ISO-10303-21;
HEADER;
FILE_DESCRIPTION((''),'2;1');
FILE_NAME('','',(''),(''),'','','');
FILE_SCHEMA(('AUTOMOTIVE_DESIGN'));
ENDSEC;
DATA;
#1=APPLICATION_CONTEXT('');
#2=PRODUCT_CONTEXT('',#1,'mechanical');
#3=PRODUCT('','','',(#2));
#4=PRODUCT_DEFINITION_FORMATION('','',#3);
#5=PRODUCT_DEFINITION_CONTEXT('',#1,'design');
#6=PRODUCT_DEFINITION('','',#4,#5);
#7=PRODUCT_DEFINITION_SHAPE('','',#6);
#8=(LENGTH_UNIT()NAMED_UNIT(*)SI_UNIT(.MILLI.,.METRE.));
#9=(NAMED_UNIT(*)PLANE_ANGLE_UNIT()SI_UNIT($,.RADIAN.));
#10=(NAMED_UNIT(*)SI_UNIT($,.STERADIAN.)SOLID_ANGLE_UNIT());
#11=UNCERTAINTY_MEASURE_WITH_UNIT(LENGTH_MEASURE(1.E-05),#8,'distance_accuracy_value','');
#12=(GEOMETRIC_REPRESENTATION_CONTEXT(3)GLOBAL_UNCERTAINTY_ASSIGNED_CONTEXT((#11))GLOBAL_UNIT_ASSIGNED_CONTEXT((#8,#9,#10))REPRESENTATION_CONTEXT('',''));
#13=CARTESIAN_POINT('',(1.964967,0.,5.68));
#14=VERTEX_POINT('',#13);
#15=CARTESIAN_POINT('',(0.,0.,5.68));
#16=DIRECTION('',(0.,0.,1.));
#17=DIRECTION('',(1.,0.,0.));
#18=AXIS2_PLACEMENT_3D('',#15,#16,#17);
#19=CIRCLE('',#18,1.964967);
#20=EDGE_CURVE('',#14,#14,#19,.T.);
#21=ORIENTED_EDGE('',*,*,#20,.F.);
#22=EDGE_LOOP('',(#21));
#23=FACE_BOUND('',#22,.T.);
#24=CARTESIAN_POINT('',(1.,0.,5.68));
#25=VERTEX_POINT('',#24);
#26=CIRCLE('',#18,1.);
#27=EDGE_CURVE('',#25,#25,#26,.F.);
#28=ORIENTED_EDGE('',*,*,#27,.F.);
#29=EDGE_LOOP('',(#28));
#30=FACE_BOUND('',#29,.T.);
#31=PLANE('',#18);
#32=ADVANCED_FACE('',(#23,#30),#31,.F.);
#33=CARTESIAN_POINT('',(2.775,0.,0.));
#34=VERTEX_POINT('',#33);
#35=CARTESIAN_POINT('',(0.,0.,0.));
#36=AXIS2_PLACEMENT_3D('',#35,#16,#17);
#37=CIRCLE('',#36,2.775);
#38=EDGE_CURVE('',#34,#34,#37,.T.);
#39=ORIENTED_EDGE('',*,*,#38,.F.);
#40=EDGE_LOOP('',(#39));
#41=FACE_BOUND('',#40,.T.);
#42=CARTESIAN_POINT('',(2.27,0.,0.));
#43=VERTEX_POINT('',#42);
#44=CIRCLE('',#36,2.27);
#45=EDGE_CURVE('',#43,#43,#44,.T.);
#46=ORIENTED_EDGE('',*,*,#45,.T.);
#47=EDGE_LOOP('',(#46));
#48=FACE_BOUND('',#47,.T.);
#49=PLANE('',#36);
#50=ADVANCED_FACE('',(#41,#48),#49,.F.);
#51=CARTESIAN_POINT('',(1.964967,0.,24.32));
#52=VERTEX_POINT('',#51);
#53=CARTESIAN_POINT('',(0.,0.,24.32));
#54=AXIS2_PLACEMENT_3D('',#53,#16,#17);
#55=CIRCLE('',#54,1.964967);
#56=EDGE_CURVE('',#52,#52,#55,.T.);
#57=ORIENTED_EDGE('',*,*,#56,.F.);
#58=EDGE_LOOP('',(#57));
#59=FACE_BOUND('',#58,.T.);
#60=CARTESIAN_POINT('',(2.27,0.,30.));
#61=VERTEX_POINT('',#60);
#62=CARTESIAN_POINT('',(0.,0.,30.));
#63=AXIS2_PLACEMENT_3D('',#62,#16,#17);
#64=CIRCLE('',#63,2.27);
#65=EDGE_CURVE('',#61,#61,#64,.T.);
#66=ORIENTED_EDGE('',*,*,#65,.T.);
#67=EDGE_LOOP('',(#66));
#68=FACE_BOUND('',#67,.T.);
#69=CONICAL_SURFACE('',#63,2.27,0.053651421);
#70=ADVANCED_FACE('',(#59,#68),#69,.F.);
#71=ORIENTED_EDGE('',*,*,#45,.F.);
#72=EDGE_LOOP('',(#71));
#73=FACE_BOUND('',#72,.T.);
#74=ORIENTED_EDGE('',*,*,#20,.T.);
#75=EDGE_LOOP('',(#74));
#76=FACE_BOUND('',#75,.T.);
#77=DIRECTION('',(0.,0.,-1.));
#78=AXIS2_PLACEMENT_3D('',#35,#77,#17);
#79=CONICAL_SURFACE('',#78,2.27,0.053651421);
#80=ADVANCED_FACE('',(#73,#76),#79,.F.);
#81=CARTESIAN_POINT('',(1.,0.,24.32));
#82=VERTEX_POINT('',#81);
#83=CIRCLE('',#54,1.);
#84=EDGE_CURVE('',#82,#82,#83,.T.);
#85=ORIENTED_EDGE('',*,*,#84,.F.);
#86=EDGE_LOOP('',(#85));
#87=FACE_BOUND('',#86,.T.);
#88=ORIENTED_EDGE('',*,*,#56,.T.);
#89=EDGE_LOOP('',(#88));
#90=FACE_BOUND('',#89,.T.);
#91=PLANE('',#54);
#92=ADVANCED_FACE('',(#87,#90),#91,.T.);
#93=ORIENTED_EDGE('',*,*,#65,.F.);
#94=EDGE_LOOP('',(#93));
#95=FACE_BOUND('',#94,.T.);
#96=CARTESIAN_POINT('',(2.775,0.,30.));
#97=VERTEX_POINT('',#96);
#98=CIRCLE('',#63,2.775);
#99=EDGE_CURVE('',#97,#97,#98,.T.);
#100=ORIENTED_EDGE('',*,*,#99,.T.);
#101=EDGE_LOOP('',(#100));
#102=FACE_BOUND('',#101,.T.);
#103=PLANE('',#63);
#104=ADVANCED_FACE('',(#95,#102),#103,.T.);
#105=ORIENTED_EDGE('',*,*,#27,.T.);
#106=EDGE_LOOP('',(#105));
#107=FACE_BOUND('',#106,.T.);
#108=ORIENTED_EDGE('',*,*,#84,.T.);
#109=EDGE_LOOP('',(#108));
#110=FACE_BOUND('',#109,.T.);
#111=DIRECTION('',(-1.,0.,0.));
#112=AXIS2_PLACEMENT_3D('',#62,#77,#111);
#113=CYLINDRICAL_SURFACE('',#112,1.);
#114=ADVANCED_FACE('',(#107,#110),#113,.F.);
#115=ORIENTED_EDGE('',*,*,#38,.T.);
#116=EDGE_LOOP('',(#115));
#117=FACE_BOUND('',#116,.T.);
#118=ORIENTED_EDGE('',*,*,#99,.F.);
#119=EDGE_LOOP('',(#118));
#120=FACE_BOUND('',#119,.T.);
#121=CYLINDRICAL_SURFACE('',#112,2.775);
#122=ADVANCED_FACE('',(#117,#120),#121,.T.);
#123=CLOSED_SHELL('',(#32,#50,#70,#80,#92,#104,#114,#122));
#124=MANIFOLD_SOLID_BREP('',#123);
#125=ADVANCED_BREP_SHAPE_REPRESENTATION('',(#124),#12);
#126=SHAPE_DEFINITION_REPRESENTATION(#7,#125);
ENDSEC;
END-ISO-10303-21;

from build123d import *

# Parameters (mm, degrees)
SKETCH1_R           = 2.775
BOSS_EXTRUDE1_DEPTH = 30
SKETCH2_R           = 2.27
CUT_EXTRUDE1_DEPTH  = 5.68
CUT_EXTRUDE1_TAPER  = 3.074
SKETCH7_R           = 1
CUT_EXTRUDE2_DEPTH  = 31
SKETCH9_R           = 2.27
CUT_EXTRUDE3_DEPTH  = 5.68
CUT_EXTRUDE3_TAPER  = 3.074


with BuildPart() as part:
    # Sketch1 → Boss-Extrude1 (new body)
    with BuildSketch(Plane.XY):
        Circle(SKETCH1_R)
    extrude(amount=BOSS_EXTRUDE1_DEPTH)

    # Sketch2 → Cut-Extrude1 (cut)
    with BuildSketch(Plane.XY):
        Circle(SKETCH2_R)
    extrude(amount=CUT_EXTRUDE1_DEPTH, taper=CUT_EXTRUDE1_TAPER, mode=Mode.SUBTRACT)

    # Sketch7 → Cut-Extrude2 (cut, through all)
    with BuildSketch(Plane.XY):
        Circle(SKETCH7_R)
    extrude(amount=CUT_EXTRUDE2_DEPTH, mode=Mode.SUBTRACT)

    # Sketch9 → Cut-Extrude3 (cut)
    with BuildSketch(Plane.XY.offset(30)):
        Circle(SKETCH9_R)
    extrude(amount=-CUT_EXTRUDE3_DEPTH, taper=CUT_EXTRUDE3_TAPER, mode=Mode.SUBTRACT)


solid = part.part
